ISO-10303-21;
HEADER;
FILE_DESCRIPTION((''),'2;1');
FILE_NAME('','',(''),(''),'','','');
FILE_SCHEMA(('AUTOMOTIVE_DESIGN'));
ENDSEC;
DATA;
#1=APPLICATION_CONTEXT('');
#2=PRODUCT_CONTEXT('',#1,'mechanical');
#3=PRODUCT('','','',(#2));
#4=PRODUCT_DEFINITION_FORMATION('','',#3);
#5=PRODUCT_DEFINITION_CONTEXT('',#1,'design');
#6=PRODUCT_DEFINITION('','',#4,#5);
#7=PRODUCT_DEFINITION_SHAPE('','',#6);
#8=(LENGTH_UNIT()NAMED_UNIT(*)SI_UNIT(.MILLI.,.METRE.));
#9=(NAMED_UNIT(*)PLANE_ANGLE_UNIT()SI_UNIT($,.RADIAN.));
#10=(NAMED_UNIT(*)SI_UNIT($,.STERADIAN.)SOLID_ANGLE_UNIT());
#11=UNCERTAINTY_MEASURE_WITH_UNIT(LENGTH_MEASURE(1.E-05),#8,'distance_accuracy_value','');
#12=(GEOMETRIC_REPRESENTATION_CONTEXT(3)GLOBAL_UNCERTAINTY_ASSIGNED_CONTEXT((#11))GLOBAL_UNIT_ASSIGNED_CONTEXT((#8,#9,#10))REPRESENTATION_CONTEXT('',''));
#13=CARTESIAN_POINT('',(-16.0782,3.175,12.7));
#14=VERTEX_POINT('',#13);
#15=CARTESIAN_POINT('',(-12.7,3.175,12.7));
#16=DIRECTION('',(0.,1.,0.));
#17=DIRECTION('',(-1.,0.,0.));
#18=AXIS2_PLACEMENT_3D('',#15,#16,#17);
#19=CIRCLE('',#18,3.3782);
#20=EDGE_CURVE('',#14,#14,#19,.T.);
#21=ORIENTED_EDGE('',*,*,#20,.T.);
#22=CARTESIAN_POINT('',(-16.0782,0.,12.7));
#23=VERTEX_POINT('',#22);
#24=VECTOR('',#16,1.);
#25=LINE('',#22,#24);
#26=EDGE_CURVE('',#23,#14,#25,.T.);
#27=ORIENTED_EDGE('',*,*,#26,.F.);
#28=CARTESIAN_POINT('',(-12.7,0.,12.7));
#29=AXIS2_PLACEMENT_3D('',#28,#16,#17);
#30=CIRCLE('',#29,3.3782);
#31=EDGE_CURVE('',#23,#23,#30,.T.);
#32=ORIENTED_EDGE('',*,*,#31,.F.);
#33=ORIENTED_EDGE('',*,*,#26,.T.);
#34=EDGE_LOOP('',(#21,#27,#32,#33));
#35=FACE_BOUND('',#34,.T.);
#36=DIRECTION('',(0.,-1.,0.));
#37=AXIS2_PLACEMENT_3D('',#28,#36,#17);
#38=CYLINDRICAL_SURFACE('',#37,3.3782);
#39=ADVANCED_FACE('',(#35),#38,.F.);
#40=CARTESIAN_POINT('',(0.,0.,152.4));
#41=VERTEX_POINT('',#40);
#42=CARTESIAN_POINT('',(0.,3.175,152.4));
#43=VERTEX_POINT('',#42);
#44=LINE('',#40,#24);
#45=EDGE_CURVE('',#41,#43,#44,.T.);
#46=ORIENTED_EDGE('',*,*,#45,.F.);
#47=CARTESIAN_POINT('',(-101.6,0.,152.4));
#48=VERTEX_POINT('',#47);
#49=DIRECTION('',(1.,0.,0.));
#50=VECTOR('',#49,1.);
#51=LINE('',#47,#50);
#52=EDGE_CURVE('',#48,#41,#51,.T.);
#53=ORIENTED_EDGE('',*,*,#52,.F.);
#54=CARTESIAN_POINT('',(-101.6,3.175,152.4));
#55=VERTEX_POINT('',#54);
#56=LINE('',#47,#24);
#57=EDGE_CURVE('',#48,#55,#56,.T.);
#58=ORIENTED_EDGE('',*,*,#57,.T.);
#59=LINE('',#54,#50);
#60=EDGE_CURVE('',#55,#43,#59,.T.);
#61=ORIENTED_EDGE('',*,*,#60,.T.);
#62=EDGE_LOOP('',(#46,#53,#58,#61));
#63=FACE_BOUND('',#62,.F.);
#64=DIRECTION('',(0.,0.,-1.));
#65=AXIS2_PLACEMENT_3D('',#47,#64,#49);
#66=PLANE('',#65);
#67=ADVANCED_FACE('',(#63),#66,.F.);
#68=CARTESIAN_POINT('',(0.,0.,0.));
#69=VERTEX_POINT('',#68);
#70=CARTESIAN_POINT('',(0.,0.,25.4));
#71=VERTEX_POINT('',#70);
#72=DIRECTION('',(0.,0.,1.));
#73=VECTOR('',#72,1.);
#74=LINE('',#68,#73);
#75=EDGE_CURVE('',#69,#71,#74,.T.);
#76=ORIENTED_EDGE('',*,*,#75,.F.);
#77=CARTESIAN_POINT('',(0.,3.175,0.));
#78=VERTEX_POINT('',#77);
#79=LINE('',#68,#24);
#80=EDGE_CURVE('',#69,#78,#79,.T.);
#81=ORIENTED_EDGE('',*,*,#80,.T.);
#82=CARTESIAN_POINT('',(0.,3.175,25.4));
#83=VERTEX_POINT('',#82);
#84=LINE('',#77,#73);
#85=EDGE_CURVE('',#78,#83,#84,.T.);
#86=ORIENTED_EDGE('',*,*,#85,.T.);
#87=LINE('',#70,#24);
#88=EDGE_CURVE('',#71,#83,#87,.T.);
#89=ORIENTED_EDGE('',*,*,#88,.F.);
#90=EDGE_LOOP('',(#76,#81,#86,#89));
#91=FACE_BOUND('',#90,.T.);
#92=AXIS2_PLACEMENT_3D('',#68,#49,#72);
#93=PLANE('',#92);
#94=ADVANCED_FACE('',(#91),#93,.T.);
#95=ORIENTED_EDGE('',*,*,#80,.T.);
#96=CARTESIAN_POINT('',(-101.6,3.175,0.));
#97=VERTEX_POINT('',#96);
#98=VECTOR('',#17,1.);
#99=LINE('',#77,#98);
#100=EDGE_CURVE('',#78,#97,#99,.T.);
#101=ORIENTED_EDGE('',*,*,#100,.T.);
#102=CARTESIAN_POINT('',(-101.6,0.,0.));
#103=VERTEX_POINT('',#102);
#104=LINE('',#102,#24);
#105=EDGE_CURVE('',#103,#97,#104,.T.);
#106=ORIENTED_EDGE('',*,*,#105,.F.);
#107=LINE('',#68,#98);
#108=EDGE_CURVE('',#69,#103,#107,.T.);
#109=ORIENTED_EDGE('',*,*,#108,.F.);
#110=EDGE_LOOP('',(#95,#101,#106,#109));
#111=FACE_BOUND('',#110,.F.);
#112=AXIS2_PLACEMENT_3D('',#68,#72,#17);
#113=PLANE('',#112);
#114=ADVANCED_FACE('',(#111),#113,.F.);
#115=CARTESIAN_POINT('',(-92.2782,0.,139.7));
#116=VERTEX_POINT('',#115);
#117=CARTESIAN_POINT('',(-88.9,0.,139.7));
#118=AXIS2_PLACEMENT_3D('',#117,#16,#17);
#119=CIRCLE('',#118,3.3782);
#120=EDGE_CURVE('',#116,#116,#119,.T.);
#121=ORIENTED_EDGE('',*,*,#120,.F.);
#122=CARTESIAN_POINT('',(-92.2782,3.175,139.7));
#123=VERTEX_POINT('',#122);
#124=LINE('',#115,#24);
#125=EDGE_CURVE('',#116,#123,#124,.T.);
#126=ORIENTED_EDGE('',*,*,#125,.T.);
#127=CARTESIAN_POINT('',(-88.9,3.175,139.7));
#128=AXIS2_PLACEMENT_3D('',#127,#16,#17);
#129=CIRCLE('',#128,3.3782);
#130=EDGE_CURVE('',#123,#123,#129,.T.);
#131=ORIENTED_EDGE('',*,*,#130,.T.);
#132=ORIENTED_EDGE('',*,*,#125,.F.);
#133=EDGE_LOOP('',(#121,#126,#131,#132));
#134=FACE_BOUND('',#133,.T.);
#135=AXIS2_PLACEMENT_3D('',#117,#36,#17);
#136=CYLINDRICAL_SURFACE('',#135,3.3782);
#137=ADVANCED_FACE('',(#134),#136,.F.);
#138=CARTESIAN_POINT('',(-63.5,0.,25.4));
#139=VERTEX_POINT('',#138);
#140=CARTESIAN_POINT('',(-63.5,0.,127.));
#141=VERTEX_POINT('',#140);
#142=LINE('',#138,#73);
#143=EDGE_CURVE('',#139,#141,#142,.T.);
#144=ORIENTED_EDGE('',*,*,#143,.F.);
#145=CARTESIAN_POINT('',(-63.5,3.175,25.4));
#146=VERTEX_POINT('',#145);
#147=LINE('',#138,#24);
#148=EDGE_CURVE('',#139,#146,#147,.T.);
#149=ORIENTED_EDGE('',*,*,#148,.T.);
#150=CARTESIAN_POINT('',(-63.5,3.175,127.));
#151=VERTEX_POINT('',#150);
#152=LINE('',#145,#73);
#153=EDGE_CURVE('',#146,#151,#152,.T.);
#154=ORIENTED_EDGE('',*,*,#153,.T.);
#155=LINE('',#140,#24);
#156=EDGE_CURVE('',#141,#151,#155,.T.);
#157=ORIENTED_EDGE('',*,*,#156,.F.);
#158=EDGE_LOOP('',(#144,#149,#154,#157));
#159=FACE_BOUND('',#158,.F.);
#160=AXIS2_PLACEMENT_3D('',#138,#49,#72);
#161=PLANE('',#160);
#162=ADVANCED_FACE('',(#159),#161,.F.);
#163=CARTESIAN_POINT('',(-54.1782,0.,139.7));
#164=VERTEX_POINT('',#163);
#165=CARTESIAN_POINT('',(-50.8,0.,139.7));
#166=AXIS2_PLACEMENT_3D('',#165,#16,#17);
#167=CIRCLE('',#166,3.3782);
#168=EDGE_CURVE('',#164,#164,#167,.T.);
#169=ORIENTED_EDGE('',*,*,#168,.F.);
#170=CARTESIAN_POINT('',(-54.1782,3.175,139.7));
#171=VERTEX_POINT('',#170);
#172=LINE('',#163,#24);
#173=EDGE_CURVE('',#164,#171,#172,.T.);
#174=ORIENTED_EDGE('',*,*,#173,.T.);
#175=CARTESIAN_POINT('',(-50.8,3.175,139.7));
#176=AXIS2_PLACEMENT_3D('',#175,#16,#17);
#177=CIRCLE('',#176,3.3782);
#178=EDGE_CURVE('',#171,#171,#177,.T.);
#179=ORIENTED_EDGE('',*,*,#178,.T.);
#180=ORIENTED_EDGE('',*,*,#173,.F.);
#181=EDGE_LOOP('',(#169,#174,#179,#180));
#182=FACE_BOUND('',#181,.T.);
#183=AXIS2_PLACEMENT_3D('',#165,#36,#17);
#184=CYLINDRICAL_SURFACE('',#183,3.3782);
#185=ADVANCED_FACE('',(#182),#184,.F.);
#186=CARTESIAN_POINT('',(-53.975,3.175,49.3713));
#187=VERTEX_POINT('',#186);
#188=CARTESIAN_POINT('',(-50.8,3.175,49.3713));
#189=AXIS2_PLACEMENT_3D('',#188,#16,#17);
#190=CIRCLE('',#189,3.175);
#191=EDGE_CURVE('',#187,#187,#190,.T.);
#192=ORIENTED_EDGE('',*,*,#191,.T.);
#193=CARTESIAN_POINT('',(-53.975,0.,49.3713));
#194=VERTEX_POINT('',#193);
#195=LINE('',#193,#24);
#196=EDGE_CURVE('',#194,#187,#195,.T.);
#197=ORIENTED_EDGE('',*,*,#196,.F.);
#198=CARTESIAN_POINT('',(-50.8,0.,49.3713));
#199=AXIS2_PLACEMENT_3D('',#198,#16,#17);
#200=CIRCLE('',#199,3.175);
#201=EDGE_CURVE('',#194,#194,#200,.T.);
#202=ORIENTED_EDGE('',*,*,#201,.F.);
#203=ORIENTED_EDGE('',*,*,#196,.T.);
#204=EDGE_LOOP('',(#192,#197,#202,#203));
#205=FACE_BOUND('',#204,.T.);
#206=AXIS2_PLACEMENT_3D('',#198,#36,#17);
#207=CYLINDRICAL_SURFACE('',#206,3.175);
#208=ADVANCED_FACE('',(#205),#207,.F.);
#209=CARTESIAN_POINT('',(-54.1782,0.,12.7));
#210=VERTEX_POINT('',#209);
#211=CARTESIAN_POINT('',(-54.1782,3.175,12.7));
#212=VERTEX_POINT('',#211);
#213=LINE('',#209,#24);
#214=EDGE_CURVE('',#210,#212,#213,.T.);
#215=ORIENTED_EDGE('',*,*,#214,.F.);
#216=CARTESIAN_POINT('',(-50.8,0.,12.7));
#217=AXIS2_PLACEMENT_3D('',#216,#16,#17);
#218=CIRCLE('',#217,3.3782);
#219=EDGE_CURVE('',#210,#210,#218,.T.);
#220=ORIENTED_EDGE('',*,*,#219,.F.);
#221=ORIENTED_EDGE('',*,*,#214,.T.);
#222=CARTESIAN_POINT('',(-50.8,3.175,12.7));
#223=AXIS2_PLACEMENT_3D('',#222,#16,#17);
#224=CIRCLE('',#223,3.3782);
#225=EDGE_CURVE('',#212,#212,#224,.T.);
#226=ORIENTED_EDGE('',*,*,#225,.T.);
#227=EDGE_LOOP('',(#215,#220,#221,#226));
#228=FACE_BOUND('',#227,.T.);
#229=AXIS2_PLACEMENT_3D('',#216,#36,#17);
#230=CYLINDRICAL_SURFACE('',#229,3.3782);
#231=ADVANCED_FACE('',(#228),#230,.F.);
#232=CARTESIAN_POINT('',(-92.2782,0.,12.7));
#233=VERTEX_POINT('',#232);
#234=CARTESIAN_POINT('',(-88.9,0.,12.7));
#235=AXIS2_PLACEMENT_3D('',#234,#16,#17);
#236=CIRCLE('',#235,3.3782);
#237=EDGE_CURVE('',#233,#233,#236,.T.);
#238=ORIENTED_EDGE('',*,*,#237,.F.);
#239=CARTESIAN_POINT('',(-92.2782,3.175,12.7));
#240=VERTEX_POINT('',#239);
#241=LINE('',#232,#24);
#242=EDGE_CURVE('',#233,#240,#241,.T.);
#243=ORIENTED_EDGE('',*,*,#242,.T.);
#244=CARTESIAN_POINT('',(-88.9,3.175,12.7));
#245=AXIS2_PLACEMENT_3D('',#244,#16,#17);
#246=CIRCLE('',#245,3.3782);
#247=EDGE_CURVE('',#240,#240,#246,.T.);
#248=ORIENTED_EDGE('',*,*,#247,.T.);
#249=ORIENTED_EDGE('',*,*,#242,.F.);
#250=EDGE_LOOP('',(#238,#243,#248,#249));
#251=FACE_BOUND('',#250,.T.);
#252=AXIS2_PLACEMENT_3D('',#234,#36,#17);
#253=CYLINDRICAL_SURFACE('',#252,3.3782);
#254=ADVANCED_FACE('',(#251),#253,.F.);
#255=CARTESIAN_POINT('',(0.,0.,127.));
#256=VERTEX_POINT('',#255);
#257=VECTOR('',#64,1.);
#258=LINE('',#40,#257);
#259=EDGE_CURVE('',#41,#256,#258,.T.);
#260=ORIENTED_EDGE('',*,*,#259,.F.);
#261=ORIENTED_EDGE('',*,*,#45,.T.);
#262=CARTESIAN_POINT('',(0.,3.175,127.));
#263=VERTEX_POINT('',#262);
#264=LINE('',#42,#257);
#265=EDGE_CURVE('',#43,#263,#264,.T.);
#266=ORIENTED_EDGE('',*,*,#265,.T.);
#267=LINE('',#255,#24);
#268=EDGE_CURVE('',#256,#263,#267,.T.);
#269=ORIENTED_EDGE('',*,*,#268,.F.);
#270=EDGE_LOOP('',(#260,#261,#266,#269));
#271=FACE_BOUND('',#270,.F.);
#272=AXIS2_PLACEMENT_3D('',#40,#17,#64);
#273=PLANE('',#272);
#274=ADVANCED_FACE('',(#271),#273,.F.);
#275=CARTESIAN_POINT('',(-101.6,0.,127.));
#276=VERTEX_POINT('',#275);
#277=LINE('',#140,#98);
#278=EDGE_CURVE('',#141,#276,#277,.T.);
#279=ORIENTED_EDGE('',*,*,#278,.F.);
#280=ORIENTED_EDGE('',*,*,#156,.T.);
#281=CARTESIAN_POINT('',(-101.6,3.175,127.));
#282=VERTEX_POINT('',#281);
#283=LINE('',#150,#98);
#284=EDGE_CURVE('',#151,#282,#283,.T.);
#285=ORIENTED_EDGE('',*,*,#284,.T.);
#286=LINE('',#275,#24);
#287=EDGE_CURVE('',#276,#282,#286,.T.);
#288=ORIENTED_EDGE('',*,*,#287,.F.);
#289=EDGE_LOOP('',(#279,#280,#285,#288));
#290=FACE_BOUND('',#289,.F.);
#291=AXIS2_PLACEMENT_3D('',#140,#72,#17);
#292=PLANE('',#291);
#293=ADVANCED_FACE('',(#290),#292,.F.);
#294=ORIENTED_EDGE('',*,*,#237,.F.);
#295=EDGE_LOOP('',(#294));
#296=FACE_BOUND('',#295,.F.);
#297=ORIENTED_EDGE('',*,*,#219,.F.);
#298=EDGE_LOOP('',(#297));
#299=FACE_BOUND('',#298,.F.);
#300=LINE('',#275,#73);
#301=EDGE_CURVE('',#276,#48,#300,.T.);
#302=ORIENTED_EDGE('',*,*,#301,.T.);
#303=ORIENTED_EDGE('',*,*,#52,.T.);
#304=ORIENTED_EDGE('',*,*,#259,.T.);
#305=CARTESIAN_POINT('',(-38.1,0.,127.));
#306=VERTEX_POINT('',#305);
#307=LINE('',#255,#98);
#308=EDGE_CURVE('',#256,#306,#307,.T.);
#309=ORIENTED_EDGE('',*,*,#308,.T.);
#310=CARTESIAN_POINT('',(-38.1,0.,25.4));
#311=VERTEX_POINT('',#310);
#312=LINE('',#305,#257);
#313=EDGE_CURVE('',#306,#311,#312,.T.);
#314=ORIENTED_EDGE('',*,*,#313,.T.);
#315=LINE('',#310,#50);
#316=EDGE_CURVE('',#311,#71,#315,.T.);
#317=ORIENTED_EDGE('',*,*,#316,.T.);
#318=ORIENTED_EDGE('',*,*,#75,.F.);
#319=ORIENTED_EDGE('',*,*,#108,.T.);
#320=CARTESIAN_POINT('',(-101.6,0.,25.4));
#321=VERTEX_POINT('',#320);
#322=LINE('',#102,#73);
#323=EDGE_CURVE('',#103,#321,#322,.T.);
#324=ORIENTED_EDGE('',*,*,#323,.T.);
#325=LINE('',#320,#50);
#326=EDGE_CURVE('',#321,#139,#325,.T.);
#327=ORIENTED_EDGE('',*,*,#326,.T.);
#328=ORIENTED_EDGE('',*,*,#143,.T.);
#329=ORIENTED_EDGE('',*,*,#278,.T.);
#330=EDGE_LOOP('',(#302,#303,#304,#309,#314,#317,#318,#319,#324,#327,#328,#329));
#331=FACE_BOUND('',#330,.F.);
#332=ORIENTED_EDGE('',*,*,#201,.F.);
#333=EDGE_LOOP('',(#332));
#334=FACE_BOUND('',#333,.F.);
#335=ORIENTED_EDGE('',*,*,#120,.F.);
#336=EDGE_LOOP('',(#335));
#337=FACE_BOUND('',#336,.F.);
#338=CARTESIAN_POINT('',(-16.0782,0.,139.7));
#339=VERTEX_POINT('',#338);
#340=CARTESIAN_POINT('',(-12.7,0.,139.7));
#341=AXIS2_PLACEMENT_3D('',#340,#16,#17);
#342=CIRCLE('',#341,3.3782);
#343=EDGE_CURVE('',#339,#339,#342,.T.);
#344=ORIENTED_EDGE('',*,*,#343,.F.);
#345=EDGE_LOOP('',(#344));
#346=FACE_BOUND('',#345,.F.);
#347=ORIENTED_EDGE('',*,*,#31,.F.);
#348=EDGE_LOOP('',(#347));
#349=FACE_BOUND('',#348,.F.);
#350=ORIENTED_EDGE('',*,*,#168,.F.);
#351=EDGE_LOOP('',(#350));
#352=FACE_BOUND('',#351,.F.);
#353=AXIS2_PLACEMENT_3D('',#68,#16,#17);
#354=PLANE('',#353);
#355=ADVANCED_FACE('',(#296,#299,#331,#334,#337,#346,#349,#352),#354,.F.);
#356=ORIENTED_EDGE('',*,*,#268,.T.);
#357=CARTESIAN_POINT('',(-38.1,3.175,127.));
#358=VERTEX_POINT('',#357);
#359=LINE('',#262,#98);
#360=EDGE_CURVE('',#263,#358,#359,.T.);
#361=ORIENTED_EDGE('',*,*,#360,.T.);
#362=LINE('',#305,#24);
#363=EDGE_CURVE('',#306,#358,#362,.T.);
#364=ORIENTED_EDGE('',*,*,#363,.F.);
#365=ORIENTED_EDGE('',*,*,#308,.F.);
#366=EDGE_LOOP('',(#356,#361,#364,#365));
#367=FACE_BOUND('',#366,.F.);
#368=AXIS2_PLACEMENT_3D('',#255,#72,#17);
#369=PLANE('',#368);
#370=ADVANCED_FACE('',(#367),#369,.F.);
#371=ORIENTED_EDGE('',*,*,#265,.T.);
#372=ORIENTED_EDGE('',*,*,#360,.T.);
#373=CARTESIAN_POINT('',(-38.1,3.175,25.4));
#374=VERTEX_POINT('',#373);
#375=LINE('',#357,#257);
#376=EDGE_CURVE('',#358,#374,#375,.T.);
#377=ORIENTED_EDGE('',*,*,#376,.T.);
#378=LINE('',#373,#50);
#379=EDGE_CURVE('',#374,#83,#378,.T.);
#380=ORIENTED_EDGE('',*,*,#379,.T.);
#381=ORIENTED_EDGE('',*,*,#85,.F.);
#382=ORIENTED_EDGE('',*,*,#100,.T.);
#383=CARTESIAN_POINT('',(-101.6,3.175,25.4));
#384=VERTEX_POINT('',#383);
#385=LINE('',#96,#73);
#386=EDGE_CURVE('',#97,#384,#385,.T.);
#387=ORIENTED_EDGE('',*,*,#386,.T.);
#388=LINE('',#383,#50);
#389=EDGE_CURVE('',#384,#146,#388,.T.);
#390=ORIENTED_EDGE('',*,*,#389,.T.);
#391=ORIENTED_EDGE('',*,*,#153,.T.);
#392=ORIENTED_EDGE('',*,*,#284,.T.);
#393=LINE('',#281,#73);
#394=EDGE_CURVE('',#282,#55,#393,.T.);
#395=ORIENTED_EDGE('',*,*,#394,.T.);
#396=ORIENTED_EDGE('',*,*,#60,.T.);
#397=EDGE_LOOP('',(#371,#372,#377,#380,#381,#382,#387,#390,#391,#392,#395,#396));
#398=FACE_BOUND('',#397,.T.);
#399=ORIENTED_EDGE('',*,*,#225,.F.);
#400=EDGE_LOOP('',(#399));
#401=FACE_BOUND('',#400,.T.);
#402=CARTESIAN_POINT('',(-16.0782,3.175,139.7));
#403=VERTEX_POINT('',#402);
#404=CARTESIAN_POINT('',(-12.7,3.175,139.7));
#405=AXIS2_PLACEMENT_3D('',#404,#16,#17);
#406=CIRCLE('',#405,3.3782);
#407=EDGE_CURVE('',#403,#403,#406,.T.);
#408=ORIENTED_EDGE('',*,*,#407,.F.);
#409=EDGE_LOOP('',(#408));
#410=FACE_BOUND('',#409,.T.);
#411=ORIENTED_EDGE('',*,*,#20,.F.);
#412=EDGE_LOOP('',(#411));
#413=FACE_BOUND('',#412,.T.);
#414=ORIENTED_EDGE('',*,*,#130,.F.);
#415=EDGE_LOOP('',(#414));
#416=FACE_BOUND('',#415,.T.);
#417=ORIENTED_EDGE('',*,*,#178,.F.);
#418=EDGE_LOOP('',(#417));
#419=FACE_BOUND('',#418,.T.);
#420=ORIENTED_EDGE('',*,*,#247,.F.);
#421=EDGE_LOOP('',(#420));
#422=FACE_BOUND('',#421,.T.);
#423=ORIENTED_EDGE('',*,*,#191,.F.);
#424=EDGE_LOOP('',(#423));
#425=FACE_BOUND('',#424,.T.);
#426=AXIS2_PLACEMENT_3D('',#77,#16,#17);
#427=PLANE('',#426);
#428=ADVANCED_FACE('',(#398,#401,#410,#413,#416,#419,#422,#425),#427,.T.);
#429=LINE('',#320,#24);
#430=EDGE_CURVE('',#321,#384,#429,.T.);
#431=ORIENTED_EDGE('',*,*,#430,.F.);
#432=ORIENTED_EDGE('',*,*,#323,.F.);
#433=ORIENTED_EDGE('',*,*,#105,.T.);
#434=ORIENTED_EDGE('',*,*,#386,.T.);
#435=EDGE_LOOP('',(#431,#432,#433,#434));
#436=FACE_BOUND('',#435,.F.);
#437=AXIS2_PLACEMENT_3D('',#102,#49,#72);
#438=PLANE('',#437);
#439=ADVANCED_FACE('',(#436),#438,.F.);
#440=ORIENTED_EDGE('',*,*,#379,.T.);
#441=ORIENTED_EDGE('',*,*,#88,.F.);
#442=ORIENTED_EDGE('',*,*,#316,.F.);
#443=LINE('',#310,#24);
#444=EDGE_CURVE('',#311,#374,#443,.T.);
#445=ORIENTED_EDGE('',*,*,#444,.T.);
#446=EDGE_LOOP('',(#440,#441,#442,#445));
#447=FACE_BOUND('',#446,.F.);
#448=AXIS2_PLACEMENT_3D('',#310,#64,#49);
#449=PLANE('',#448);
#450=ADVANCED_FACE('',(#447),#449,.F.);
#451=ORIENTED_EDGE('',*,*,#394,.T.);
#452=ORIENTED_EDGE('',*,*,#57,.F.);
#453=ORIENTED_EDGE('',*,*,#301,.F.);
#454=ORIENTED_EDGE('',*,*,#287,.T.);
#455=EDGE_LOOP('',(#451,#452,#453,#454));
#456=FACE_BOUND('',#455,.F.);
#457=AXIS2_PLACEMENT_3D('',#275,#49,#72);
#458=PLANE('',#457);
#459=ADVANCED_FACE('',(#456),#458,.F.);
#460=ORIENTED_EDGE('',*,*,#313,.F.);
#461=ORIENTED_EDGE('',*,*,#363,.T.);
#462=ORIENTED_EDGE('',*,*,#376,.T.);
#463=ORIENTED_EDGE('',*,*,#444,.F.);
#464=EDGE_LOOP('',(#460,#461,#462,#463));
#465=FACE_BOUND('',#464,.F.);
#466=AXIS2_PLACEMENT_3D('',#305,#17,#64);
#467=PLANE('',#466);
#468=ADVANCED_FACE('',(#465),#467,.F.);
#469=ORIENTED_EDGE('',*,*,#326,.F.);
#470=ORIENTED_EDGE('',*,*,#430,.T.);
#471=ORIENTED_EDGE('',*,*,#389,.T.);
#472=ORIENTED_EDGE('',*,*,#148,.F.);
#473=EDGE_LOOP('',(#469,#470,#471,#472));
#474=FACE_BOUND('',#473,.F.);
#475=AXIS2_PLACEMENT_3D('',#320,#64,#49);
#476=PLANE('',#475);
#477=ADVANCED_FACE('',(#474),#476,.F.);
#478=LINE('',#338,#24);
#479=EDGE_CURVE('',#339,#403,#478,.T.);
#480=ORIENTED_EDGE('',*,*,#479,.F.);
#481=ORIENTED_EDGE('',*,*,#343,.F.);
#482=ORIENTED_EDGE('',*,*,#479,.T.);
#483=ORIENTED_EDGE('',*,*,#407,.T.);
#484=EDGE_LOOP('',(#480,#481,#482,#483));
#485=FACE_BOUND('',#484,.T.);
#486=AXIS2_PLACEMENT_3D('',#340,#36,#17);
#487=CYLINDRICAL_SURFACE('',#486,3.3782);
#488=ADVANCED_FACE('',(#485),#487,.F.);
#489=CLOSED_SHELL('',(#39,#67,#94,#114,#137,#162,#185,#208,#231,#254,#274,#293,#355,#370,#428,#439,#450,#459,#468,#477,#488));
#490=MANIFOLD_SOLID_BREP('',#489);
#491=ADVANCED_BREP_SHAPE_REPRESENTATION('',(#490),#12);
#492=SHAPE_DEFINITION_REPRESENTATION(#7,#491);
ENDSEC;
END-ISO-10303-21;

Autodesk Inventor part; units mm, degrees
ref_plane "YZ Plane" through (0, 0, 0) normal (1, 0, 0) x (0, 1, 0)
ref_plane "XZ Plane" through (0, 0, 0) normal (0, 1, 0) x (-1, 0, 0)
ref_plane "XY Plane" through (0, 0, 0) normal (0, 0, 1) x (1, 0, 0)
sketch "Sketch1" plane through (0, 0, 0) normal (0, 1, 0) x (-1, 0, 0)
  line L0 (0, 0) -> (0, 25.4)
  line L1 (0, 0) -> (101.6, 0)
  line L2 (101.6, 0) -> (101.6, 25.4)
  line L3 (101.6, 25.4) -> (63.5, 25.4)
  line L4 (63.5, 25.4) -> (63.5, 127)
  line L5 (63.5, 127) -> (101.6, 127)
  line L6 (101.6, 127) -> (101.6, 152.4)
  line L7 (101.6, 152.4) -> (0, 152.4)
  line L8 (0, 152.4) -> (0, 127)
  line L9 (0, 127) -> (38.1, 127)
  line L10 (38.1, 127) -> (38.1, 25.4)
  line L11 (38.1, 25.4) -> (0, 25.4)
  line L12 (0, 139.7) -> (101.6, 139.7) construction
  line L13 (0, 12.7) -> (101.6, 12.7) construction
  line L14 (50.8, 0) -> (50.8, 152.4) construction
  circle A0 centre (12.7, 139.7) radius 3.3782
  circle A1 centre (50.8, 139.7) radius 3.3782
  circle A2 centre (12.7, 12.7) radius 3.3782
  circle A3 centre (50.8, 12.7) radius 3.3782
  circle A4 centre (88.9, 139.7) radius 3.3782
  circle A5 centre (88.9, 12.7) radius 3.3782
  circle A6 centre (50.8, 57.15) radius 3.3782
  circle A7 centre (50.8, 31.75) radius 3.3782
  circle A8 centre (50.8, 49.3713) radius 3.175 projected
  dimension "d0" = 25.4
  dimension "d1" = 101.6
  dimension "d4" = 38.1
  dimension "d5" = 6.7564
  dimension "d6" = 12.7
  dimension "d9" = 38.1
  dimension "d12" = 127
  dimension "d15" = 152.4
  dimension "d16" = 25.4
  dimension "d17" = 19.05
  dimension "d20" = 23.9713
extrude "Extrusion1" add sketch "Sketch1" along normal blind 3.175 contours L0 L11 L10 L9 L8 L7 L6 L5 L4 L3 L2 L1 | A6 | A7
properties part number "Shooter I Brace" material "Aluminum 6061"
